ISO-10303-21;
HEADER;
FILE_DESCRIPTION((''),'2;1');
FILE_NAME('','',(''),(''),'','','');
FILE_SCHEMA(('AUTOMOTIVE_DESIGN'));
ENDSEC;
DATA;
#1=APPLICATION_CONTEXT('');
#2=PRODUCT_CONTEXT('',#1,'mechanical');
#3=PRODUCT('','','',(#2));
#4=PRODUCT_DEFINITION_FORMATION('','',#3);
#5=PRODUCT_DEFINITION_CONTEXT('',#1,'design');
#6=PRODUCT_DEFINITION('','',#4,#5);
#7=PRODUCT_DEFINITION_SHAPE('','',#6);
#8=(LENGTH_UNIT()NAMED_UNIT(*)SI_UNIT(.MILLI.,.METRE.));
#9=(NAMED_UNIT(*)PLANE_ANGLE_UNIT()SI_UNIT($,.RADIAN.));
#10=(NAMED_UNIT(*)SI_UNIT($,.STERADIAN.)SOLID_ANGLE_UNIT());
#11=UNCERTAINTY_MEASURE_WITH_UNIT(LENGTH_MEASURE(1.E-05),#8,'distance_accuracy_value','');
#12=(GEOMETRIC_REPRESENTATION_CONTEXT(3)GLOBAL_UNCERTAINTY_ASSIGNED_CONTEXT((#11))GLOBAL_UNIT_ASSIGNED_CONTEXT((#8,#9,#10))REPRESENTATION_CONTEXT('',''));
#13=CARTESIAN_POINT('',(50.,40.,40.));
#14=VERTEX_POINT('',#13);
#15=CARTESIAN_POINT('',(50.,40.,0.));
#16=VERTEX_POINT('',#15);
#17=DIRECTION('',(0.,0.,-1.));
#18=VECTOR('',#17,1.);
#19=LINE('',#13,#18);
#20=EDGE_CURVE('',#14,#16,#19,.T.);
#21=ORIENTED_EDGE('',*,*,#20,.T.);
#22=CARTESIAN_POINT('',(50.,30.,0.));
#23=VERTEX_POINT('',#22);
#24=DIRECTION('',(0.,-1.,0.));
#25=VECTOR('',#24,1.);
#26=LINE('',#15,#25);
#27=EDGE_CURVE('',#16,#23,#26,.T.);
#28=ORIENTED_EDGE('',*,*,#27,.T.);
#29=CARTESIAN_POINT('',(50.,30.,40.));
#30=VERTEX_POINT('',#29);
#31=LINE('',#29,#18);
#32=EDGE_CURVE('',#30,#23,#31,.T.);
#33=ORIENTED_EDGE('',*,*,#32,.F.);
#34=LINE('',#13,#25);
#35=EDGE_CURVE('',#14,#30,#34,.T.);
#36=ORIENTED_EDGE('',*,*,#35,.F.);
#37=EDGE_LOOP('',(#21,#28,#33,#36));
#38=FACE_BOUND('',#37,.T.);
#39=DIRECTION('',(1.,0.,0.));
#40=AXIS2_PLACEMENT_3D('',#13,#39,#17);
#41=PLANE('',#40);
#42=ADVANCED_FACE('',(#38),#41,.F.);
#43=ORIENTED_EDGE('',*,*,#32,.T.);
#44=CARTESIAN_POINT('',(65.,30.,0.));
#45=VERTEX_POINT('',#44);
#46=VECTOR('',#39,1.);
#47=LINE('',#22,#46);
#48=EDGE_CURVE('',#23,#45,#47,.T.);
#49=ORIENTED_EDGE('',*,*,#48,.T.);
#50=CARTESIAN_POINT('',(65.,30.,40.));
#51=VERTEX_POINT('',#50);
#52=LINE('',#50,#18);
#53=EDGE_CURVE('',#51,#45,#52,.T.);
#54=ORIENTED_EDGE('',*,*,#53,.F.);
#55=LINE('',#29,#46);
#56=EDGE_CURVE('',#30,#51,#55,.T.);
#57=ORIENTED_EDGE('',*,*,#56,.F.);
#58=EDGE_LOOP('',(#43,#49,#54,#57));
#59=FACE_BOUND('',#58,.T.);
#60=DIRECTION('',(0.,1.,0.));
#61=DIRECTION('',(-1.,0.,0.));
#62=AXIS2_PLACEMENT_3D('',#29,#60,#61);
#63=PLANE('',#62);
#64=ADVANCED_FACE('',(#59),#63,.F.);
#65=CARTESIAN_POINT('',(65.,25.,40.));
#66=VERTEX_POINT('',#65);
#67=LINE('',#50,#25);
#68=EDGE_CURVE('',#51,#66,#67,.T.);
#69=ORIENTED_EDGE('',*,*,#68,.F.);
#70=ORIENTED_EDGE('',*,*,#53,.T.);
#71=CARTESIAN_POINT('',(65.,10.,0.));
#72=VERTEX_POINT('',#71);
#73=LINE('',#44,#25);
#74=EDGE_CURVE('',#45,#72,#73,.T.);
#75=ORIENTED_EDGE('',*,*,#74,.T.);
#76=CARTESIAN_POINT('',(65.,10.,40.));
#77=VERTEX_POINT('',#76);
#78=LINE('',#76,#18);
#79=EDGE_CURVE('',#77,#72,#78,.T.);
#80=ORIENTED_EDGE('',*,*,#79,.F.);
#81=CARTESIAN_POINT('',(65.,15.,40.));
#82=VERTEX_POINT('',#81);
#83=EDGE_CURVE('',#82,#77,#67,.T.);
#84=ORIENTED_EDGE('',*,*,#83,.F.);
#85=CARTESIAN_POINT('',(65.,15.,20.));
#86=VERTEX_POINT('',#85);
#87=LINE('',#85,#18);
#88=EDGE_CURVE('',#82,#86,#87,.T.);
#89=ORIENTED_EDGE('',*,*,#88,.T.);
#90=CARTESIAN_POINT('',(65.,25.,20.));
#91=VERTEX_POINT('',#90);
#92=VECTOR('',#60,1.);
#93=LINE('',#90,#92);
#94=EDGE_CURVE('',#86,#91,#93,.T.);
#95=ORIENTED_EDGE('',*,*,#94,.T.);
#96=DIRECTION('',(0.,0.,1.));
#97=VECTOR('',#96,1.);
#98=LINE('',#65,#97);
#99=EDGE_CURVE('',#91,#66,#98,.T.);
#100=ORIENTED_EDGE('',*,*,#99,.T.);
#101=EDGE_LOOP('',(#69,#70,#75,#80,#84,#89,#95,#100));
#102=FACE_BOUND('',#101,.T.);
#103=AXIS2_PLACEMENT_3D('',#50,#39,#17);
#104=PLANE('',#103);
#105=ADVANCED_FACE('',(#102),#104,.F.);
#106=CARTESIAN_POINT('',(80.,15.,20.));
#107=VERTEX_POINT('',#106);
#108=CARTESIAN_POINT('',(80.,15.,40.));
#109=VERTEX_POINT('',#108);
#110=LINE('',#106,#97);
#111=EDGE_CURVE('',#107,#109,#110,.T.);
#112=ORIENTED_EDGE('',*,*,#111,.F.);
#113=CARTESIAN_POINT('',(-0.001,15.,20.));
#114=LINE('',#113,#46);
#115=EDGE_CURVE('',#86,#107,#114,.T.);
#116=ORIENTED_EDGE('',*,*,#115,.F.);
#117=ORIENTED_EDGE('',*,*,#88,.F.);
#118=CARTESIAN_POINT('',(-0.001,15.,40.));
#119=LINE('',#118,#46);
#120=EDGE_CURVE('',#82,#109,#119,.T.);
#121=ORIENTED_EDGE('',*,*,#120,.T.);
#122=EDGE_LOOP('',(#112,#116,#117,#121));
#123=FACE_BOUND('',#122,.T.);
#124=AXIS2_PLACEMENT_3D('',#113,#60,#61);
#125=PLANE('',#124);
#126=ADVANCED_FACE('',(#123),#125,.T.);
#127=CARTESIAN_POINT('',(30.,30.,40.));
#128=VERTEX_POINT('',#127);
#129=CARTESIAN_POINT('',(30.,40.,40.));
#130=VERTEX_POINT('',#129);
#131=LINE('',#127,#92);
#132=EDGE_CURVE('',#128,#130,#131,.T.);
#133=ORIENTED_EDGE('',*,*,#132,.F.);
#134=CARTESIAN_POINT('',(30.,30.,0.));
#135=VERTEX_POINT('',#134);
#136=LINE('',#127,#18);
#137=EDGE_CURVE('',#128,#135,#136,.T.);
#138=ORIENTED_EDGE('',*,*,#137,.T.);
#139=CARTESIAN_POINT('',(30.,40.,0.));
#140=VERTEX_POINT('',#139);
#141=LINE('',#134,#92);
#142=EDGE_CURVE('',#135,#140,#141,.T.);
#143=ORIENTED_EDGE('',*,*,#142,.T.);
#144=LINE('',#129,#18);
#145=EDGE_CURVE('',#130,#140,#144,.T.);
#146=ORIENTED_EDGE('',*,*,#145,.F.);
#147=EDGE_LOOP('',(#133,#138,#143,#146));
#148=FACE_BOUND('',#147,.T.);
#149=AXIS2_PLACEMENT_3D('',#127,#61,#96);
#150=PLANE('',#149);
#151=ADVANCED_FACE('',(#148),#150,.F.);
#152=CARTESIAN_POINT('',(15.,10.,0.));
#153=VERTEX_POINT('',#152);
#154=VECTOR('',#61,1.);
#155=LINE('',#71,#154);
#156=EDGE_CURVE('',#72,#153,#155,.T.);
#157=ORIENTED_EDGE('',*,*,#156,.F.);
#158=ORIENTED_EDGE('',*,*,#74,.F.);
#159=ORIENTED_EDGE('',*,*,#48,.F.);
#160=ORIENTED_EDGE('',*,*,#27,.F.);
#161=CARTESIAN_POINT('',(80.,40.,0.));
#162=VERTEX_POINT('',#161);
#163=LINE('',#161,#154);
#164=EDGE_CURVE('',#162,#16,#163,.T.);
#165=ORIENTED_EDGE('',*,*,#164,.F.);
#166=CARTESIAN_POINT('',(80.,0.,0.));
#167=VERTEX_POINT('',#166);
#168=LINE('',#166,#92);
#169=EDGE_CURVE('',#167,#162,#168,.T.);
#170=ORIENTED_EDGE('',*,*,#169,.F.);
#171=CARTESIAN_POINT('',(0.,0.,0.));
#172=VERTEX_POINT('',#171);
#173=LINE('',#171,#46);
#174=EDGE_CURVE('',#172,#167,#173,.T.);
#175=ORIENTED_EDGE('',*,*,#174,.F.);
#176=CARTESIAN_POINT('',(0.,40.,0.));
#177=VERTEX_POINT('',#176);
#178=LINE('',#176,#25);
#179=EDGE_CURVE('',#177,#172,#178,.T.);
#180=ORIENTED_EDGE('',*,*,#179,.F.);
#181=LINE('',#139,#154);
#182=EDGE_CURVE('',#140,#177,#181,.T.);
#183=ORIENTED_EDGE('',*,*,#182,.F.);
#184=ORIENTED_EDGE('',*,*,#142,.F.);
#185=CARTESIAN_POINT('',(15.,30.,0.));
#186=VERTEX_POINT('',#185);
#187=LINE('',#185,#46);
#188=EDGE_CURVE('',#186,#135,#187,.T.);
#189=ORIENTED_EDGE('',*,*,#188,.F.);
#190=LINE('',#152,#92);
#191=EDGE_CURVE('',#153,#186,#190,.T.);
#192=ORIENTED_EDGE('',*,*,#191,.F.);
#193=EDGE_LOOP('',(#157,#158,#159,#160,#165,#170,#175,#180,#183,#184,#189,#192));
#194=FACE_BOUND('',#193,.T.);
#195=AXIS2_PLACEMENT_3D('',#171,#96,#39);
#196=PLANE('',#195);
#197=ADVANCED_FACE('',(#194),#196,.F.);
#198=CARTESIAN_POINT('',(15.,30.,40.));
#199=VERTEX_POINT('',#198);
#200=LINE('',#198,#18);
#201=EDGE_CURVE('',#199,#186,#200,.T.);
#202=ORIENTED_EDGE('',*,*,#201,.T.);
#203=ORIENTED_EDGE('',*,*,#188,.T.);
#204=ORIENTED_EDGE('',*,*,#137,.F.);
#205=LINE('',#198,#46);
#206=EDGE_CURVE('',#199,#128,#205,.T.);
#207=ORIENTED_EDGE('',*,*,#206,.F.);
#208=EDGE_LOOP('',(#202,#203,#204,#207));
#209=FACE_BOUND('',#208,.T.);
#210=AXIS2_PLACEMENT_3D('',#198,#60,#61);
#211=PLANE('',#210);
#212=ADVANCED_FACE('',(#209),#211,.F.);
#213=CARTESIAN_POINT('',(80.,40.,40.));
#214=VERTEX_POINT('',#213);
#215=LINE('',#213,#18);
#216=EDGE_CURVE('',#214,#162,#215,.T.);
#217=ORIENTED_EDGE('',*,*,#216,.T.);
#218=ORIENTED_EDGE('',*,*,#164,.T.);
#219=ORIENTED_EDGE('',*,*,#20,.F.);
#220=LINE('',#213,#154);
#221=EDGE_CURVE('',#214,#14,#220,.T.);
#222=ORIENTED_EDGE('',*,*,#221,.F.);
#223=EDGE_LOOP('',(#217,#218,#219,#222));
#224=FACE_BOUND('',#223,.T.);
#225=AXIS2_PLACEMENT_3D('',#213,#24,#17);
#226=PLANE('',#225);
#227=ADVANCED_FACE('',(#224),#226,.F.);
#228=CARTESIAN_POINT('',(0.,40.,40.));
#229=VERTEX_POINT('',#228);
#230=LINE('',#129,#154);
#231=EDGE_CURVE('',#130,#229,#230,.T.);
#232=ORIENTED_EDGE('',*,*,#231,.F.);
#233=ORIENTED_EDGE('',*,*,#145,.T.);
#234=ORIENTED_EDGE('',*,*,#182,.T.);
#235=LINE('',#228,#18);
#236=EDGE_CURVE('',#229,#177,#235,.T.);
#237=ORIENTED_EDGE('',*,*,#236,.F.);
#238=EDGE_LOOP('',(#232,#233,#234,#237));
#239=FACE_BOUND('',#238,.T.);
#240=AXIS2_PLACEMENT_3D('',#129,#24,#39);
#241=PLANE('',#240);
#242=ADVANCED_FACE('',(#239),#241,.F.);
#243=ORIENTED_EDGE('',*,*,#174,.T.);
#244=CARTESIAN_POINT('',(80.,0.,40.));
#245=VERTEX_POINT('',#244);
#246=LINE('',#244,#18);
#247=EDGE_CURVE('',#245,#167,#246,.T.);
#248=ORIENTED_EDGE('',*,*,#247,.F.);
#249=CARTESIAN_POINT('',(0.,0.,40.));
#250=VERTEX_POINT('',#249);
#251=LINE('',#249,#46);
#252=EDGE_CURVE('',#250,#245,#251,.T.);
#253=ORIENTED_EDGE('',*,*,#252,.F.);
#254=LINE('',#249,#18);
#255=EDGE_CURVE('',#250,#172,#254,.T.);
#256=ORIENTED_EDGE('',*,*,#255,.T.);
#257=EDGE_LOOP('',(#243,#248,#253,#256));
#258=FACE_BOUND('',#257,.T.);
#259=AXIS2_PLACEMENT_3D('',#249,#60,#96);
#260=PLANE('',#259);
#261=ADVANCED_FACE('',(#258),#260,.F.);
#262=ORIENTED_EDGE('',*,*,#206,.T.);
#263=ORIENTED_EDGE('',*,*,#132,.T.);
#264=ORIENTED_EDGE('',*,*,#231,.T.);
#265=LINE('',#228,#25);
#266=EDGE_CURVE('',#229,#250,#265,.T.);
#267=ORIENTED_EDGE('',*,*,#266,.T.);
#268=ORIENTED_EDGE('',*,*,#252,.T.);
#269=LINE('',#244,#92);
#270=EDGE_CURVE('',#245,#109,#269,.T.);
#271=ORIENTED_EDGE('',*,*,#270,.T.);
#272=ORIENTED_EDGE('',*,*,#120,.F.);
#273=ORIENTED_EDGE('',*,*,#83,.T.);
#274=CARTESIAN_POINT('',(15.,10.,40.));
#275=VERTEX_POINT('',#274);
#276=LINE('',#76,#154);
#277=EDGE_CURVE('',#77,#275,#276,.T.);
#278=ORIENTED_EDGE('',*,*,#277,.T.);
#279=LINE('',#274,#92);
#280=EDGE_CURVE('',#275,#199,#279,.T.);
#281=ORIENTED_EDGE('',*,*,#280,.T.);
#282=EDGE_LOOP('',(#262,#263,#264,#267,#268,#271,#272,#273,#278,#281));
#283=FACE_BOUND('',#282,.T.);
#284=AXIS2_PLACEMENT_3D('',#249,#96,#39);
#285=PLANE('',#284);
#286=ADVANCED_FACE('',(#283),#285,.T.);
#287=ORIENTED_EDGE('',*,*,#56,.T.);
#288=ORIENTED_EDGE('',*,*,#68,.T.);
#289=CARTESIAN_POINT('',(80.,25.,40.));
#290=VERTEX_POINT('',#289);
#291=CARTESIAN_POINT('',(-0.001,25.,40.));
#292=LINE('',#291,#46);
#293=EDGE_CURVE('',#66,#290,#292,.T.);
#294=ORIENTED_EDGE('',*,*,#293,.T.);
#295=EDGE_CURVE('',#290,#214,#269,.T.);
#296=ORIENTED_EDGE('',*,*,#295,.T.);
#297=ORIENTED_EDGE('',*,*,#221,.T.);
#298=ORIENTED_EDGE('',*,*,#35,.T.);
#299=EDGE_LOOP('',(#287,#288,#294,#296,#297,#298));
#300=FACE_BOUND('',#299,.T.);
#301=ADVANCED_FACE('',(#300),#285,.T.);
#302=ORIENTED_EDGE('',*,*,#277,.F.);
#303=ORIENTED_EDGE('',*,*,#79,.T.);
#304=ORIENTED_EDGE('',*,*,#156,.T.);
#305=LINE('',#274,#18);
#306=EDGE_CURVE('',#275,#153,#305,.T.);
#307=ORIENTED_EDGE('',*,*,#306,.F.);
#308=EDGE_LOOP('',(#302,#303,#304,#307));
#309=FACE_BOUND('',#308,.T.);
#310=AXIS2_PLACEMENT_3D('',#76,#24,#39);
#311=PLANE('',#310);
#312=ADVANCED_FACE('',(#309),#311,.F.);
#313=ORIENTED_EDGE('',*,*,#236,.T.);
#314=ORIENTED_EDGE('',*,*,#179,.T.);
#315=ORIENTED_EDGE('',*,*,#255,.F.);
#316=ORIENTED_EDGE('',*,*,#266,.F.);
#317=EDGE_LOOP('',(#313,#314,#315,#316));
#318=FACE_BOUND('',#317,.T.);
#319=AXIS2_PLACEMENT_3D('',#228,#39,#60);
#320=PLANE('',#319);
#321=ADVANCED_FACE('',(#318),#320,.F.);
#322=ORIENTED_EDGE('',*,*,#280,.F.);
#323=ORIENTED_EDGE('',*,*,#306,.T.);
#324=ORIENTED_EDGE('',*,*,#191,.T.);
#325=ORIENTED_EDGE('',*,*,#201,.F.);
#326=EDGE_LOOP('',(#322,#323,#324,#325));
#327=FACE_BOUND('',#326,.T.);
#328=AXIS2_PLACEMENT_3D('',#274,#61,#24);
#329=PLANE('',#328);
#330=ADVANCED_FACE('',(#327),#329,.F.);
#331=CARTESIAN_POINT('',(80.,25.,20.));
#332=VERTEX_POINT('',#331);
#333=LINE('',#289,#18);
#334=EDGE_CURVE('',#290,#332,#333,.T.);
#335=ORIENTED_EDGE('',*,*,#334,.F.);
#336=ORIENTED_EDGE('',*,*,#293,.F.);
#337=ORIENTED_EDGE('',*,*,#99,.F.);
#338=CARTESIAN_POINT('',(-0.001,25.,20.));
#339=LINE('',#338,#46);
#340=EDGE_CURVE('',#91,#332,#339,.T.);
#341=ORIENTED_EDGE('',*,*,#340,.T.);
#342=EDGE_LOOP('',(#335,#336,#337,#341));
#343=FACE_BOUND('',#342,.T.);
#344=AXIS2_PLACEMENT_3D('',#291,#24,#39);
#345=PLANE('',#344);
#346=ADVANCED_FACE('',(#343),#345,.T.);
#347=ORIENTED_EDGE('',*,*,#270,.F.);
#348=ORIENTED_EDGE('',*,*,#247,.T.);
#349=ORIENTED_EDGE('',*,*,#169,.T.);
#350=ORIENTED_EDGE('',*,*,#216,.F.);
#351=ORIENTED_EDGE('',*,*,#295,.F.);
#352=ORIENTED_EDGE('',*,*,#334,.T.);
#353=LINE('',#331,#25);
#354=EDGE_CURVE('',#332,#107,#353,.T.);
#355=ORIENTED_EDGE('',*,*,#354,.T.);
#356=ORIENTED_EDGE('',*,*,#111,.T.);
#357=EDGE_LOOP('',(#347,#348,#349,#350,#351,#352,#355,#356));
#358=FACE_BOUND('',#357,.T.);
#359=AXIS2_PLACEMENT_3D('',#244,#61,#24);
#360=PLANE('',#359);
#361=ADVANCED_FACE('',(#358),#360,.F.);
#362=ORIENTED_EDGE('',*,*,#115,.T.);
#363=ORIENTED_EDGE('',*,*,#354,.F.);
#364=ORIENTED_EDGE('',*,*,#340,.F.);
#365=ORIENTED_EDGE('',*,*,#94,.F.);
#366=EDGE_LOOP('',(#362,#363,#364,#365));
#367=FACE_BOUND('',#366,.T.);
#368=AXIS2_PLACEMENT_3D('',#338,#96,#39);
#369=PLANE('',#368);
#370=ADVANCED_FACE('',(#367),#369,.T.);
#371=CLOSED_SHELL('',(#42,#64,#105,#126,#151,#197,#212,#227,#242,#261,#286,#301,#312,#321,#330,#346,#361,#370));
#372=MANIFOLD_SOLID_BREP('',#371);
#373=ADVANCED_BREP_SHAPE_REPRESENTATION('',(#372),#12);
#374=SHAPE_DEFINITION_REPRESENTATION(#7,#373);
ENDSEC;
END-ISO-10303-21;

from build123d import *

# Parameters (mm, degrees)
BOSS_EXTRUDE1_DEPTH = 40
CUT_EXTRUDE1_REACH  = 99.98
SKETCH2_W           = 20
SKETCH2_H           = 10


with BuildPart() as part:
    # Sketch1 → Boss-Extrude1 (new body)
    with BuildSketch(Plane.XY):
        Polygon((0, 40), (0, 0), (80, 0), (80, 40), (50, 40), (50, 30), (65, 30), (65, 10), (15, 10), (15, 30), (30, 30), (30, 40), align=None)
    extrude(amount=BOSS_EXTRUDE1_DEPTH)

    # Sketch2 → Cut-Extrude1 (cut, up to next)
    with BuildSketch(Plane(origin=(80, 0, 0), x_dir=(0, 0, -1), z_dir=(1, 0, 0)), mode=Mode.PRIVATE) as cut_extrude1_sk1:
        with Locations((-30, 20)):
            Rectangle(SKETCH2_W, SKETCH2_H)
    cut_extrude1_tool1 = extrude(cut_extrude1_sk1.sketch, amount=-CUT_EXTRUDE1_REACH, mode=Mode.PRIVATE) & part.part
    add(cut_extrude1_tool1.solids().sort_by_distance((80, 20, 30))[0], mode=Mode.SUBTRACT)


solid = part.part
